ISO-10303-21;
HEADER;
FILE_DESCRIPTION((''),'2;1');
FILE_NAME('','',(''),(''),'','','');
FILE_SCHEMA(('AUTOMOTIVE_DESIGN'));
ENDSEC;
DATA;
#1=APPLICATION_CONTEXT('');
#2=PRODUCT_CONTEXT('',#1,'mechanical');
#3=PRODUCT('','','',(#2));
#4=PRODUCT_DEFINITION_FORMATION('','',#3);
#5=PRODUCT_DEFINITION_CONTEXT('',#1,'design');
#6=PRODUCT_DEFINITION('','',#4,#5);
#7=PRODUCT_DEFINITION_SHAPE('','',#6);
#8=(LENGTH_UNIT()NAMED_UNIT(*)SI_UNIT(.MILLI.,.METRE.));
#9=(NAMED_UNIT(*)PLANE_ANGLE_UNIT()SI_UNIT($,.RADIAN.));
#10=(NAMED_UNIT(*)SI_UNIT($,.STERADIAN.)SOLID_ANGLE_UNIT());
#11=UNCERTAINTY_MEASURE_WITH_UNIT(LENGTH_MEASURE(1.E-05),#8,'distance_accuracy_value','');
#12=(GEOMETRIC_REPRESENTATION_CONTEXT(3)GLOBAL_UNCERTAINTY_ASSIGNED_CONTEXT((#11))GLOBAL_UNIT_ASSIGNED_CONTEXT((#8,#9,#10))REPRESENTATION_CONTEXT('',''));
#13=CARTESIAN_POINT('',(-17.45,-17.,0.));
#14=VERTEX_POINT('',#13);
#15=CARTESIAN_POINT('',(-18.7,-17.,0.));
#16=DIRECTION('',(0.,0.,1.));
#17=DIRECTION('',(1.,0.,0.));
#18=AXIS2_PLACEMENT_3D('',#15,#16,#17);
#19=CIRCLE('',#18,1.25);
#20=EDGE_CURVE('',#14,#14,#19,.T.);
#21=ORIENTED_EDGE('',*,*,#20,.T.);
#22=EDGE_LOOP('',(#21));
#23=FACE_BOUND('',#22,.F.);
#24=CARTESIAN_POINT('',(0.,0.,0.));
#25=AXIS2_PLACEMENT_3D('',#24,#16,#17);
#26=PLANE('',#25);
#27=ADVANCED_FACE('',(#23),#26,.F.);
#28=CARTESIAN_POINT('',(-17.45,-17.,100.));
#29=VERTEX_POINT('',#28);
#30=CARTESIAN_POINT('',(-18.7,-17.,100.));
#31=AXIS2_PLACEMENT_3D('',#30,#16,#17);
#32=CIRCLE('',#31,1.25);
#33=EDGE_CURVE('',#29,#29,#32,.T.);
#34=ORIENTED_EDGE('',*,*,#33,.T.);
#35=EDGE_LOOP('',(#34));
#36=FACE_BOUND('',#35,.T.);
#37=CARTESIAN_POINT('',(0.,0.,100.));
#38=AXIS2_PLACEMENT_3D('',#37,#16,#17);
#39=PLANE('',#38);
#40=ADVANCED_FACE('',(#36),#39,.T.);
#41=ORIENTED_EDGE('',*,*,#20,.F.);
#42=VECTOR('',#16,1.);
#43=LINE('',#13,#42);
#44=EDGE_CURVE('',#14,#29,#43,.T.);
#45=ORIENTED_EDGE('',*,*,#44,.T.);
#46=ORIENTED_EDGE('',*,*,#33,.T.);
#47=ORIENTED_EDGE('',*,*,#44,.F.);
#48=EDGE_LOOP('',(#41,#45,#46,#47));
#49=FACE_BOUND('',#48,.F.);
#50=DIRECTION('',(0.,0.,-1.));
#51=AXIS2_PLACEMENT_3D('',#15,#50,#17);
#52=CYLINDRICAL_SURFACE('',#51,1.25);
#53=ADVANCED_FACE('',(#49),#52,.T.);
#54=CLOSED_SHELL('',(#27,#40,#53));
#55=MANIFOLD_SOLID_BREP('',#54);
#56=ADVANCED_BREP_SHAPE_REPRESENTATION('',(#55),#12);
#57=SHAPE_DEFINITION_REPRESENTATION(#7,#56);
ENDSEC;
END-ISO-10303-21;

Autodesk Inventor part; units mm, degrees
ref_plane "YZ Plane" through (0, 0, 0) normal (1, 0, 0) x (0, 1, 0)
ref_plane "XZ Plane" through (0, 0, 0) normal (0, 1, 0) x (-1, 0, 0)
ref_plane "XY Plane" through (0, 0, 0) normal (0, 0, 1) x (1, 0, 0)
sketch "Szkic1" plane through (0, 0, 0) normal (0, 0, 1) x (1, 0, 0)
  circle A0 centre (-18.7, -17) radius 1.25 projected
  point P0 (0, 0)
  dimension "d0" = 100
extrude "Wyciągnięcie proste1" add sketch "Szkic1" along normal blind 100
properties part number "rod" material "Aluminium"
